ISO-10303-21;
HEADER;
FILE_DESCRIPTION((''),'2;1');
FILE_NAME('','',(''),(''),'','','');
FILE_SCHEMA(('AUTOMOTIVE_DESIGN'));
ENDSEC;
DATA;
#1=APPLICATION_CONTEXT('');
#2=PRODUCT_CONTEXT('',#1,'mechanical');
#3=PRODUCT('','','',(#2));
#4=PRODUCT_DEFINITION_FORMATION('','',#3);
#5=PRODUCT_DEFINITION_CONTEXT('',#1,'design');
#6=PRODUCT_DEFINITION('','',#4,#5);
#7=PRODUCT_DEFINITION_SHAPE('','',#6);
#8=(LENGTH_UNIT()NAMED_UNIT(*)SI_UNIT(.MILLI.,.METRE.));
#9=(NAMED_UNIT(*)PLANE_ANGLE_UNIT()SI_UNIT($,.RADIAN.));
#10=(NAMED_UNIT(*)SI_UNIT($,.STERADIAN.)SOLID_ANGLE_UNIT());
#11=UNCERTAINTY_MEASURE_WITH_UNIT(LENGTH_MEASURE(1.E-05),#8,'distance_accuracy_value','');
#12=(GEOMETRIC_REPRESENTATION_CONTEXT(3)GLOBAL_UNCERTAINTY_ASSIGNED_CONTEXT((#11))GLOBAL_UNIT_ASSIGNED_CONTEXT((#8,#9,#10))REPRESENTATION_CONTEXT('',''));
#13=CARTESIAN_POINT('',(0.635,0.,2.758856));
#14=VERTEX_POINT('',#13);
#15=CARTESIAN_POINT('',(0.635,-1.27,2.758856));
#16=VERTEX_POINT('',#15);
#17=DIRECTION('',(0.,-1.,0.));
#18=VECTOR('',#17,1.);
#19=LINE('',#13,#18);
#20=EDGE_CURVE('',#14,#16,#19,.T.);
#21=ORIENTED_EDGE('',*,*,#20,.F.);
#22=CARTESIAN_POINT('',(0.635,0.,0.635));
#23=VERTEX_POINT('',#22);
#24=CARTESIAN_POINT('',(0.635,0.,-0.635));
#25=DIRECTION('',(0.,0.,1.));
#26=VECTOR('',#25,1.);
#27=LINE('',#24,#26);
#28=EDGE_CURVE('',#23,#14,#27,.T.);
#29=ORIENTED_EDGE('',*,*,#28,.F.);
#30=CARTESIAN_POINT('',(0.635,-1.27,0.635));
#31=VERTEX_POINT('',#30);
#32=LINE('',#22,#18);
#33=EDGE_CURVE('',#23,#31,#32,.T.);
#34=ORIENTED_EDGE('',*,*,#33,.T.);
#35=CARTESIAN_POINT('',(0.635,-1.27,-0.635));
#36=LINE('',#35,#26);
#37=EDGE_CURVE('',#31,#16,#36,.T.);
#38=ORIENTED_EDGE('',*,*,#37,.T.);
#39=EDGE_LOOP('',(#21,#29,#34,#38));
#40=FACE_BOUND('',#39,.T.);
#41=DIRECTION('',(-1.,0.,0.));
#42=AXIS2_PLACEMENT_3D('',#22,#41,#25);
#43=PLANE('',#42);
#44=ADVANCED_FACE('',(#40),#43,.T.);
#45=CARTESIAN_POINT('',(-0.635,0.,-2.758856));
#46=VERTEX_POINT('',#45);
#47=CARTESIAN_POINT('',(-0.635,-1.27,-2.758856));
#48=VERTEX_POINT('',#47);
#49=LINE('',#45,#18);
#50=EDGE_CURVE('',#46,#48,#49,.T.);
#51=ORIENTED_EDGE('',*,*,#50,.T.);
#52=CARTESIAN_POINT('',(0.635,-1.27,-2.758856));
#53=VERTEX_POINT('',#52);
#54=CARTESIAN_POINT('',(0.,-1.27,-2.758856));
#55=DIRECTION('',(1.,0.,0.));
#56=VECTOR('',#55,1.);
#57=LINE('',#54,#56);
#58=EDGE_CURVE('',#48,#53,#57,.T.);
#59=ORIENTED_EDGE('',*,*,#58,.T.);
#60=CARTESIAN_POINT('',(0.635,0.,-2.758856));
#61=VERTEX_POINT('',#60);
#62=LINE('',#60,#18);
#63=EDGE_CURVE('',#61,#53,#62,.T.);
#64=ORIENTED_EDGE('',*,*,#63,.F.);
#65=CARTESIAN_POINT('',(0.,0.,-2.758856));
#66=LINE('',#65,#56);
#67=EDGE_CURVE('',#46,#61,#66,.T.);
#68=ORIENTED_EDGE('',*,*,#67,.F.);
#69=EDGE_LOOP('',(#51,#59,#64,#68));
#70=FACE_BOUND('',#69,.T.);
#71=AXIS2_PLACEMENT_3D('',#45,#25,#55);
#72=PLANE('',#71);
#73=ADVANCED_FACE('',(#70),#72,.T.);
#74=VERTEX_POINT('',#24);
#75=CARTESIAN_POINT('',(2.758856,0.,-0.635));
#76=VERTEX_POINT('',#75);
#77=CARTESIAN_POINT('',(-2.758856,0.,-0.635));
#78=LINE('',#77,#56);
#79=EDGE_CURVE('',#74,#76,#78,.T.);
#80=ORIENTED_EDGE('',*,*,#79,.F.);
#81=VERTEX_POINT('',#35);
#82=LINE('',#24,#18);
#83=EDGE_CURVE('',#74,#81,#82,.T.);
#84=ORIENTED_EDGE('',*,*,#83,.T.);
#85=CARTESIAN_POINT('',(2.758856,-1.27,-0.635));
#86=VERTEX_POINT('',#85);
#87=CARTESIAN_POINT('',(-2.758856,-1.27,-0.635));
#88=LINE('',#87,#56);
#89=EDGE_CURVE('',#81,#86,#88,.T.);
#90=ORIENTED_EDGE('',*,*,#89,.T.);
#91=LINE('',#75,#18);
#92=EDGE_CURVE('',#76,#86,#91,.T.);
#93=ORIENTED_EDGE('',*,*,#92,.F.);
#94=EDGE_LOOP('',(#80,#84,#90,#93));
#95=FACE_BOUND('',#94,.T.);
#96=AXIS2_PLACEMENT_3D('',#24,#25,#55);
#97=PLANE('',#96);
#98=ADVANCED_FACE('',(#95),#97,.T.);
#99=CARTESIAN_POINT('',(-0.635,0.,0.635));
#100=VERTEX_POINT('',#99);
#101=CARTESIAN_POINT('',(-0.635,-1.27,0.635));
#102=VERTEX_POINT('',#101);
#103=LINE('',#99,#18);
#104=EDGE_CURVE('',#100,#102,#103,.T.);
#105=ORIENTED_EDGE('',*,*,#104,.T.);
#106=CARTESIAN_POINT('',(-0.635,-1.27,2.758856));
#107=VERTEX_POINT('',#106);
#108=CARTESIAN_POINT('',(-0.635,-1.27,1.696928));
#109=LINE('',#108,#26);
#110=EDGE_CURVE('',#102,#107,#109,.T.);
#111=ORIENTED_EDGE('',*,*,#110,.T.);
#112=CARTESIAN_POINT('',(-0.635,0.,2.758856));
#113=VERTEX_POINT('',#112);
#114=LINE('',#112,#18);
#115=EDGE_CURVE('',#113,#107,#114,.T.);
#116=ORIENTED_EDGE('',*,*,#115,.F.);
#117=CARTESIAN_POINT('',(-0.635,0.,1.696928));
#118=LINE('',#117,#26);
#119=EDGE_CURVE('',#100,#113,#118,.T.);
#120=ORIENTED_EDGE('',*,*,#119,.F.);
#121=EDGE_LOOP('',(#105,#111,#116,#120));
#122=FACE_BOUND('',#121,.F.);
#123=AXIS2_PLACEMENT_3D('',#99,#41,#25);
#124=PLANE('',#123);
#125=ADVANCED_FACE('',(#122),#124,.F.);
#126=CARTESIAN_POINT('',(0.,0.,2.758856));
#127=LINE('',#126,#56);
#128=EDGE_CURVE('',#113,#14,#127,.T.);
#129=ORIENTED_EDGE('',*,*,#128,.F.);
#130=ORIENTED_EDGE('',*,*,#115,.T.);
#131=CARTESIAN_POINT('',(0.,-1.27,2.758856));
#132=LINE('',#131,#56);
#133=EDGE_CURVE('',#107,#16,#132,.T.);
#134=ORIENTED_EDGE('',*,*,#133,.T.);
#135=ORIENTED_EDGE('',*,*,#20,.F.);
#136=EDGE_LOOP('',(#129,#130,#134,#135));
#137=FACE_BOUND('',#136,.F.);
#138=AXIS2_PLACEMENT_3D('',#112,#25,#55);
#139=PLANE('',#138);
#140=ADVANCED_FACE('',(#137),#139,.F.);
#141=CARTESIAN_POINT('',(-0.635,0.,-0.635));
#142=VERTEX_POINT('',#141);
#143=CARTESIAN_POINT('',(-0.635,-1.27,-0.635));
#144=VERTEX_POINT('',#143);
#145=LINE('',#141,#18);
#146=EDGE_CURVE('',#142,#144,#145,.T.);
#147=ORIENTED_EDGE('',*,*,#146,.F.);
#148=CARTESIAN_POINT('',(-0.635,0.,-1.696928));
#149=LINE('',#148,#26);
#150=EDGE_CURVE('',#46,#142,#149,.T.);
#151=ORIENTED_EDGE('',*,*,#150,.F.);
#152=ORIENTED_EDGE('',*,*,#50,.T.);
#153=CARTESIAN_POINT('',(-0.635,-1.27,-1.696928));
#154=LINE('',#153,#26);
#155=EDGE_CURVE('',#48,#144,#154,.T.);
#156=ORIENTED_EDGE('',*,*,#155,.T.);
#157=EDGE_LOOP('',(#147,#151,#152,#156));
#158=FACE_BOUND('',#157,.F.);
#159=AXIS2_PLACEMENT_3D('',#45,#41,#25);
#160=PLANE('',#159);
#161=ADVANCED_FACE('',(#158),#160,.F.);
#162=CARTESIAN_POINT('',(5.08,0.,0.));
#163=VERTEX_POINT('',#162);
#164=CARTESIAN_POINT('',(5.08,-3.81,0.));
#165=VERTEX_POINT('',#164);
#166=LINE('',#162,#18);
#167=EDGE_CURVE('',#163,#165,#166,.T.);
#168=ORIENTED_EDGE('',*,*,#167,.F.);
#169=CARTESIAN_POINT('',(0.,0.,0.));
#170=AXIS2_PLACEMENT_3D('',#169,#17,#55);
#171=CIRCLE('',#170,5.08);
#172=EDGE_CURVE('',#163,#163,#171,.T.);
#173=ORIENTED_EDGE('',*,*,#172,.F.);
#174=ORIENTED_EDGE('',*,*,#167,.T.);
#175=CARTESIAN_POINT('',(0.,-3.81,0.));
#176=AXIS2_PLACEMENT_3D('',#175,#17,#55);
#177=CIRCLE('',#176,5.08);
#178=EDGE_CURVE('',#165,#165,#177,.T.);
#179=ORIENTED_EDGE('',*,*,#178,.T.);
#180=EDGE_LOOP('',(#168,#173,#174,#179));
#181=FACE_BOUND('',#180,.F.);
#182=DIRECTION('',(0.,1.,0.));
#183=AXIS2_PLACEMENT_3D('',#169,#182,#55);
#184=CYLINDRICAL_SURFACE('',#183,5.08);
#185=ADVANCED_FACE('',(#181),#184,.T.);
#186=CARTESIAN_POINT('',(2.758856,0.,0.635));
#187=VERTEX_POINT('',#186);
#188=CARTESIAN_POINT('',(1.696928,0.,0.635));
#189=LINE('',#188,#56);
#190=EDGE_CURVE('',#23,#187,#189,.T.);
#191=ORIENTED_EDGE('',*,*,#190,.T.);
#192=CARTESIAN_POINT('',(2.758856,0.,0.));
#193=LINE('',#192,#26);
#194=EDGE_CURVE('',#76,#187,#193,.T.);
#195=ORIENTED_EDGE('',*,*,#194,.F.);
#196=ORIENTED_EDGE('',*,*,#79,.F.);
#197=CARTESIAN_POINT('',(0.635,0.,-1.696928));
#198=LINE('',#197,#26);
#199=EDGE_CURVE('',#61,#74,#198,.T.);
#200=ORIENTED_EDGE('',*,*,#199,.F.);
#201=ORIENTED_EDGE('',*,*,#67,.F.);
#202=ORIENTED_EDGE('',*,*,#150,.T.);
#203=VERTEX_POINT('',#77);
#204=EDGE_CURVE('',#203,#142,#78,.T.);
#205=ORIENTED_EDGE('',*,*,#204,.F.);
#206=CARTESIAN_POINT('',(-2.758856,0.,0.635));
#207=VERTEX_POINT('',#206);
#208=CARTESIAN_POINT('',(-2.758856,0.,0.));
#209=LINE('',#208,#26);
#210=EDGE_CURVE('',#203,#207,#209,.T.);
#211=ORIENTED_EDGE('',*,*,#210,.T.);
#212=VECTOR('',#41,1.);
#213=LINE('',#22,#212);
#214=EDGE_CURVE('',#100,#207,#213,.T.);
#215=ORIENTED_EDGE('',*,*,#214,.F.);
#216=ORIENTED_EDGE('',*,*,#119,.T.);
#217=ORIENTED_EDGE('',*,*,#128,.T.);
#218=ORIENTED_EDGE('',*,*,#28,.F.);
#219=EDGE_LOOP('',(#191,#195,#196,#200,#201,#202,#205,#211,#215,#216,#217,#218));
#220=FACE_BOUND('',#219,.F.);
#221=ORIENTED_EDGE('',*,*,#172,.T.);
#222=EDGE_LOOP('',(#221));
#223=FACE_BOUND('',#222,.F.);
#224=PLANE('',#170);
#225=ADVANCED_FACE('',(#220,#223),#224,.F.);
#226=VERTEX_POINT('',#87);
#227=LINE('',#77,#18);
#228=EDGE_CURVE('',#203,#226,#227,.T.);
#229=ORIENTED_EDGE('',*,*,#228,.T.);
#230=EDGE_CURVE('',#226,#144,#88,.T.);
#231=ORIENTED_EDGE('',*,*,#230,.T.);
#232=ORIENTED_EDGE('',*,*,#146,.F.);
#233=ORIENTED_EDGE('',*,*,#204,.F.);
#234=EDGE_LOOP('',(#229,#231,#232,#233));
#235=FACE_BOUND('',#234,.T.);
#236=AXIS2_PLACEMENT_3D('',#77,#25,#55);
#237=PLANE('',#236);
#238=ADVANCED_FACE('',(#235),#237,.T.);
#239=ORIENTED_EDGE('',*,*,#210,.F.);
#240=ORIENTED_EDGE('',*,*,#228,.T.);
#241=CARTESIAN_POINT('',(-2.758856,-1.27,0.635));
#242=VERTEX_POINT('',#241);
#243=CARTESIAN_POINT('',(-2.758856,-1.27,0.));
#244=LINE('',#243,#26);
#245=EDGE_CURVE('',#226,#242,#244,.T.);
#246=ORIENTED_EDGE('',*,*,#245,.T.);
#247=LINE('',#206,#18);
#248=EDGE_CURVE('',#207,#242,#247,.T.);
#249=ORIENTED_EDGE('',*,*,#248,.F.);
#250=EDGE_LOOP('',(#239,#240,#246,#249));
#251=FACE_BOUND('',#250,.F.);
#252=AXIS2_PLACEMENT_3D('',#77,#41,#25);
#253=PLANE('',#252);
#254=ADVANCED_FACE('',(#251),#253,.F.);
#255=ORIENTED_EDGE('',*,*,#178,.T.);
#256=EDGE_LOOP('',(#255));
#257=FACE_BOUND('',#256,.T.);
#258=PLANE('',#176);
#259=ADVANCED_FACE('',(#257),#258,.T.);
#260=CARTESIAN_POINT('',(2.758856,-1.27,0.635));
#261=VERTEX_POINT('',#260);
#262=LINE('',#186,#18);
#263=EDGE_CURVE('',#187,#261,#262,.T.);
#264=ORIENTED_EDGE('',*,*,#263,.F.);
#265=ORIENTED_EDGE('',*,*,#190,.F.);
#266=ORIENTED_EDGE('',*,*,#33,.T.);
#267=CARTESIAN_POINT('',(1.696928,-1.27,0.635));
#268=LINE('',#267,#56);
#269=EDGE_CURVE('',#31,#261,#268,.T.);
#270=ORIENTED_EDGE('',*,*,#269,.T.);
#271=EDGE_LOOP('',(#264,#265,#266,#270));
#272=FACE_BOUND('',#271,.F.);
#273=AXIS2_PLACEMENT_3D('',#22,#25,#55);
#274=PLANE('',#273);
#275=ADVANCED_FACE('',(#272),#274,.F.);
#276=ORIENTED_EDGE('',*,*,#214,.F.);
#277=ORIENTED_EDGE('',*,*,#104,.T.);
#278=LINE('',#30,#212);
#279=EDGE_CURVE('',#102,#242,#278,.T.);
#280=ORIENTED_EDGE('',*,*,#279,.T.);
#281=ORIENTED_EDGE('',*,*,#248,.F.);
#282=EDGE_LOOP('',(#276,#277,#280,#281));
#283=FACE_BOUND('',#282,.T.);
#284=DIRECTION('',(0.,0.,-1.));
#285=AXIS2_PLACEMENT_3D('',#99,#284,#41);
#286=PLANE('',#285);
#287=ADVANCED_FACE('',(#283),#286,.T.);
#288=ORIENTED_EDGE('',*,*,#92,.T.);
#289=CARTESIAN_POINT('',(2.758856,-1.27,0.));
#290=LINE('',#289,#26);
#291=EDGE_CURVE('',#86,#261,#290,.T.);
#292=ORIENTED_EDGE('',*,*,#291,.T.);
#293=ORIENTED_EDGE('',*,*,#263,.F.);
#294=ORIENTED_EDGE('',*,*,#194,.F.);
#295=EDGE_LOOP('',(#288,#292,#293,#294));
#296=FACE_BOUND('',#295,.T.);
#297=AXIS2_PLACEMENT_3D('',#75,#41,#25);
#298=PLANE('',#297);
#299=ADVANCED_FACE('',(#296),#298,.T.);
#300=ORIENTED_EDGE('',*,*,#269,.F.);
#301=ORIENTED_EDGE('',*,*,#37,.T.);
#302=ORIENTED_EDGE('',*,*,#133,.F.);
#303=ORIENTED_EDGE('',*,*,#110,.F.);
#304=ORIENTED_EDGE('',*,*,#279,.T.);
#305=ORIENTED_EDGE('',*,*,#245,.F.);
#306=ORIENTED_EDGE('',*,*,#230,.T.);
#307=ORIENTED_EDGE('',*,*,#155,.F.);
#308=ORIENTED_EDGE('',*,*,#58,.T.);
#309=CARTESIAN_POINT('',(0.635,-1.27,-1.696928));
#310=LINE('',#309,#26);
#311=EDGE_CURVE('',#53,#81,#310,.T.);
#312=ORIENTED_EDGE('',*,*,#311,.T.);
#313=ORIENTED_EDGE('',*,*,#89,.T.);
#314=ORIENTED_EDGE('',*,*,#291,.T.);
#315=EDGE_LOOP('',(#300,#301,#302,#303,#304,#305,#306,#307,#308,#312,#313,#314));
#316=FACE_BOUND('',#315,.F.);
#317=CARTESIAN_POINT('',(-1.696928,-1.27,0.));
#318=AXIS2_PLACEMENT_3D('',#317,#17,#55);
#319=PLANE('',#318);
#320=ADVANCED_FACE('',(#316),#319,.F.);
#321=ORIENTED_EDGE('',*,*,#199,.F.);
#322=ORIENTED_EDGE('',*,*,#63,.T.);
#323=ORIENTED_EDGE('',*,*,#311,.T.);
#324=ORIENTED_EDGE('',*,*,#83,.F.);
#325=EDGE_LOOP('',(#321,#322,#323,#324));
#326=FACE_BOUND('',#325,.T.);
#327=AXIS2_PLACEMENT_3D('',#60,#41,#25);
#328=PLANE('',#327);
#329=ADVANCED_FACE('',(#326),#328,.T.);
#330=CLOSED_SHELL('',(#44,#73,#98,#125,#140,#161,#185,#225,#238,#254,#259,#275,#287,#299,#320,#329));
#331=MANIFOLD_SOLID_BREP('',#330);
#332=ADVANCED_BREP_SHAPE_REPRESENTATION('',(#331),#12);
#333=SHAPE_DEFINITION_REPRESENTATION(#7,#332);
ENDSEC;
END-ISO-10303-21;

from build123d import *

# Parameters (mm, degrees)
F0_R     = 5.08
F1_DEPTH = 3.81
F2_W     = 2.1238556986
F2_H     = 1.27
F2_W_2   = 1.27
F2_H_2   = 2.1238556986
F3_DEPTH = 1.27


with BuildPart() as f1:
    # F0 (on Front) → F1 (new body)
    with BuildSketch(Plane.XZ):
        Circle(F0_R)
    extrude(amount=F1_DEPTH)

    # F2 (on Front) → F3 (cut)
    with BuildSketch(Plane.XZ):
        with Locations((-1.6969278493, 0)):
            Rectangle(F2_W, F2_H)
        Rectangle(F2_W_2, F2_H)
        with Locations((0, 1.6969278493)):
            Rectangle(F2_W_2, F2_H_2)
        with Locations((1.6969278493, 0)):
            Rectangle(F2_W, F2_H)
        with Locations((0, -1.6969278493)):
            Rectangle(F2_W_2, F2_H_2)
    extrude(amount=F3_DEPTH, mode=Mode.SUBTRACT)


solid = f1.part
